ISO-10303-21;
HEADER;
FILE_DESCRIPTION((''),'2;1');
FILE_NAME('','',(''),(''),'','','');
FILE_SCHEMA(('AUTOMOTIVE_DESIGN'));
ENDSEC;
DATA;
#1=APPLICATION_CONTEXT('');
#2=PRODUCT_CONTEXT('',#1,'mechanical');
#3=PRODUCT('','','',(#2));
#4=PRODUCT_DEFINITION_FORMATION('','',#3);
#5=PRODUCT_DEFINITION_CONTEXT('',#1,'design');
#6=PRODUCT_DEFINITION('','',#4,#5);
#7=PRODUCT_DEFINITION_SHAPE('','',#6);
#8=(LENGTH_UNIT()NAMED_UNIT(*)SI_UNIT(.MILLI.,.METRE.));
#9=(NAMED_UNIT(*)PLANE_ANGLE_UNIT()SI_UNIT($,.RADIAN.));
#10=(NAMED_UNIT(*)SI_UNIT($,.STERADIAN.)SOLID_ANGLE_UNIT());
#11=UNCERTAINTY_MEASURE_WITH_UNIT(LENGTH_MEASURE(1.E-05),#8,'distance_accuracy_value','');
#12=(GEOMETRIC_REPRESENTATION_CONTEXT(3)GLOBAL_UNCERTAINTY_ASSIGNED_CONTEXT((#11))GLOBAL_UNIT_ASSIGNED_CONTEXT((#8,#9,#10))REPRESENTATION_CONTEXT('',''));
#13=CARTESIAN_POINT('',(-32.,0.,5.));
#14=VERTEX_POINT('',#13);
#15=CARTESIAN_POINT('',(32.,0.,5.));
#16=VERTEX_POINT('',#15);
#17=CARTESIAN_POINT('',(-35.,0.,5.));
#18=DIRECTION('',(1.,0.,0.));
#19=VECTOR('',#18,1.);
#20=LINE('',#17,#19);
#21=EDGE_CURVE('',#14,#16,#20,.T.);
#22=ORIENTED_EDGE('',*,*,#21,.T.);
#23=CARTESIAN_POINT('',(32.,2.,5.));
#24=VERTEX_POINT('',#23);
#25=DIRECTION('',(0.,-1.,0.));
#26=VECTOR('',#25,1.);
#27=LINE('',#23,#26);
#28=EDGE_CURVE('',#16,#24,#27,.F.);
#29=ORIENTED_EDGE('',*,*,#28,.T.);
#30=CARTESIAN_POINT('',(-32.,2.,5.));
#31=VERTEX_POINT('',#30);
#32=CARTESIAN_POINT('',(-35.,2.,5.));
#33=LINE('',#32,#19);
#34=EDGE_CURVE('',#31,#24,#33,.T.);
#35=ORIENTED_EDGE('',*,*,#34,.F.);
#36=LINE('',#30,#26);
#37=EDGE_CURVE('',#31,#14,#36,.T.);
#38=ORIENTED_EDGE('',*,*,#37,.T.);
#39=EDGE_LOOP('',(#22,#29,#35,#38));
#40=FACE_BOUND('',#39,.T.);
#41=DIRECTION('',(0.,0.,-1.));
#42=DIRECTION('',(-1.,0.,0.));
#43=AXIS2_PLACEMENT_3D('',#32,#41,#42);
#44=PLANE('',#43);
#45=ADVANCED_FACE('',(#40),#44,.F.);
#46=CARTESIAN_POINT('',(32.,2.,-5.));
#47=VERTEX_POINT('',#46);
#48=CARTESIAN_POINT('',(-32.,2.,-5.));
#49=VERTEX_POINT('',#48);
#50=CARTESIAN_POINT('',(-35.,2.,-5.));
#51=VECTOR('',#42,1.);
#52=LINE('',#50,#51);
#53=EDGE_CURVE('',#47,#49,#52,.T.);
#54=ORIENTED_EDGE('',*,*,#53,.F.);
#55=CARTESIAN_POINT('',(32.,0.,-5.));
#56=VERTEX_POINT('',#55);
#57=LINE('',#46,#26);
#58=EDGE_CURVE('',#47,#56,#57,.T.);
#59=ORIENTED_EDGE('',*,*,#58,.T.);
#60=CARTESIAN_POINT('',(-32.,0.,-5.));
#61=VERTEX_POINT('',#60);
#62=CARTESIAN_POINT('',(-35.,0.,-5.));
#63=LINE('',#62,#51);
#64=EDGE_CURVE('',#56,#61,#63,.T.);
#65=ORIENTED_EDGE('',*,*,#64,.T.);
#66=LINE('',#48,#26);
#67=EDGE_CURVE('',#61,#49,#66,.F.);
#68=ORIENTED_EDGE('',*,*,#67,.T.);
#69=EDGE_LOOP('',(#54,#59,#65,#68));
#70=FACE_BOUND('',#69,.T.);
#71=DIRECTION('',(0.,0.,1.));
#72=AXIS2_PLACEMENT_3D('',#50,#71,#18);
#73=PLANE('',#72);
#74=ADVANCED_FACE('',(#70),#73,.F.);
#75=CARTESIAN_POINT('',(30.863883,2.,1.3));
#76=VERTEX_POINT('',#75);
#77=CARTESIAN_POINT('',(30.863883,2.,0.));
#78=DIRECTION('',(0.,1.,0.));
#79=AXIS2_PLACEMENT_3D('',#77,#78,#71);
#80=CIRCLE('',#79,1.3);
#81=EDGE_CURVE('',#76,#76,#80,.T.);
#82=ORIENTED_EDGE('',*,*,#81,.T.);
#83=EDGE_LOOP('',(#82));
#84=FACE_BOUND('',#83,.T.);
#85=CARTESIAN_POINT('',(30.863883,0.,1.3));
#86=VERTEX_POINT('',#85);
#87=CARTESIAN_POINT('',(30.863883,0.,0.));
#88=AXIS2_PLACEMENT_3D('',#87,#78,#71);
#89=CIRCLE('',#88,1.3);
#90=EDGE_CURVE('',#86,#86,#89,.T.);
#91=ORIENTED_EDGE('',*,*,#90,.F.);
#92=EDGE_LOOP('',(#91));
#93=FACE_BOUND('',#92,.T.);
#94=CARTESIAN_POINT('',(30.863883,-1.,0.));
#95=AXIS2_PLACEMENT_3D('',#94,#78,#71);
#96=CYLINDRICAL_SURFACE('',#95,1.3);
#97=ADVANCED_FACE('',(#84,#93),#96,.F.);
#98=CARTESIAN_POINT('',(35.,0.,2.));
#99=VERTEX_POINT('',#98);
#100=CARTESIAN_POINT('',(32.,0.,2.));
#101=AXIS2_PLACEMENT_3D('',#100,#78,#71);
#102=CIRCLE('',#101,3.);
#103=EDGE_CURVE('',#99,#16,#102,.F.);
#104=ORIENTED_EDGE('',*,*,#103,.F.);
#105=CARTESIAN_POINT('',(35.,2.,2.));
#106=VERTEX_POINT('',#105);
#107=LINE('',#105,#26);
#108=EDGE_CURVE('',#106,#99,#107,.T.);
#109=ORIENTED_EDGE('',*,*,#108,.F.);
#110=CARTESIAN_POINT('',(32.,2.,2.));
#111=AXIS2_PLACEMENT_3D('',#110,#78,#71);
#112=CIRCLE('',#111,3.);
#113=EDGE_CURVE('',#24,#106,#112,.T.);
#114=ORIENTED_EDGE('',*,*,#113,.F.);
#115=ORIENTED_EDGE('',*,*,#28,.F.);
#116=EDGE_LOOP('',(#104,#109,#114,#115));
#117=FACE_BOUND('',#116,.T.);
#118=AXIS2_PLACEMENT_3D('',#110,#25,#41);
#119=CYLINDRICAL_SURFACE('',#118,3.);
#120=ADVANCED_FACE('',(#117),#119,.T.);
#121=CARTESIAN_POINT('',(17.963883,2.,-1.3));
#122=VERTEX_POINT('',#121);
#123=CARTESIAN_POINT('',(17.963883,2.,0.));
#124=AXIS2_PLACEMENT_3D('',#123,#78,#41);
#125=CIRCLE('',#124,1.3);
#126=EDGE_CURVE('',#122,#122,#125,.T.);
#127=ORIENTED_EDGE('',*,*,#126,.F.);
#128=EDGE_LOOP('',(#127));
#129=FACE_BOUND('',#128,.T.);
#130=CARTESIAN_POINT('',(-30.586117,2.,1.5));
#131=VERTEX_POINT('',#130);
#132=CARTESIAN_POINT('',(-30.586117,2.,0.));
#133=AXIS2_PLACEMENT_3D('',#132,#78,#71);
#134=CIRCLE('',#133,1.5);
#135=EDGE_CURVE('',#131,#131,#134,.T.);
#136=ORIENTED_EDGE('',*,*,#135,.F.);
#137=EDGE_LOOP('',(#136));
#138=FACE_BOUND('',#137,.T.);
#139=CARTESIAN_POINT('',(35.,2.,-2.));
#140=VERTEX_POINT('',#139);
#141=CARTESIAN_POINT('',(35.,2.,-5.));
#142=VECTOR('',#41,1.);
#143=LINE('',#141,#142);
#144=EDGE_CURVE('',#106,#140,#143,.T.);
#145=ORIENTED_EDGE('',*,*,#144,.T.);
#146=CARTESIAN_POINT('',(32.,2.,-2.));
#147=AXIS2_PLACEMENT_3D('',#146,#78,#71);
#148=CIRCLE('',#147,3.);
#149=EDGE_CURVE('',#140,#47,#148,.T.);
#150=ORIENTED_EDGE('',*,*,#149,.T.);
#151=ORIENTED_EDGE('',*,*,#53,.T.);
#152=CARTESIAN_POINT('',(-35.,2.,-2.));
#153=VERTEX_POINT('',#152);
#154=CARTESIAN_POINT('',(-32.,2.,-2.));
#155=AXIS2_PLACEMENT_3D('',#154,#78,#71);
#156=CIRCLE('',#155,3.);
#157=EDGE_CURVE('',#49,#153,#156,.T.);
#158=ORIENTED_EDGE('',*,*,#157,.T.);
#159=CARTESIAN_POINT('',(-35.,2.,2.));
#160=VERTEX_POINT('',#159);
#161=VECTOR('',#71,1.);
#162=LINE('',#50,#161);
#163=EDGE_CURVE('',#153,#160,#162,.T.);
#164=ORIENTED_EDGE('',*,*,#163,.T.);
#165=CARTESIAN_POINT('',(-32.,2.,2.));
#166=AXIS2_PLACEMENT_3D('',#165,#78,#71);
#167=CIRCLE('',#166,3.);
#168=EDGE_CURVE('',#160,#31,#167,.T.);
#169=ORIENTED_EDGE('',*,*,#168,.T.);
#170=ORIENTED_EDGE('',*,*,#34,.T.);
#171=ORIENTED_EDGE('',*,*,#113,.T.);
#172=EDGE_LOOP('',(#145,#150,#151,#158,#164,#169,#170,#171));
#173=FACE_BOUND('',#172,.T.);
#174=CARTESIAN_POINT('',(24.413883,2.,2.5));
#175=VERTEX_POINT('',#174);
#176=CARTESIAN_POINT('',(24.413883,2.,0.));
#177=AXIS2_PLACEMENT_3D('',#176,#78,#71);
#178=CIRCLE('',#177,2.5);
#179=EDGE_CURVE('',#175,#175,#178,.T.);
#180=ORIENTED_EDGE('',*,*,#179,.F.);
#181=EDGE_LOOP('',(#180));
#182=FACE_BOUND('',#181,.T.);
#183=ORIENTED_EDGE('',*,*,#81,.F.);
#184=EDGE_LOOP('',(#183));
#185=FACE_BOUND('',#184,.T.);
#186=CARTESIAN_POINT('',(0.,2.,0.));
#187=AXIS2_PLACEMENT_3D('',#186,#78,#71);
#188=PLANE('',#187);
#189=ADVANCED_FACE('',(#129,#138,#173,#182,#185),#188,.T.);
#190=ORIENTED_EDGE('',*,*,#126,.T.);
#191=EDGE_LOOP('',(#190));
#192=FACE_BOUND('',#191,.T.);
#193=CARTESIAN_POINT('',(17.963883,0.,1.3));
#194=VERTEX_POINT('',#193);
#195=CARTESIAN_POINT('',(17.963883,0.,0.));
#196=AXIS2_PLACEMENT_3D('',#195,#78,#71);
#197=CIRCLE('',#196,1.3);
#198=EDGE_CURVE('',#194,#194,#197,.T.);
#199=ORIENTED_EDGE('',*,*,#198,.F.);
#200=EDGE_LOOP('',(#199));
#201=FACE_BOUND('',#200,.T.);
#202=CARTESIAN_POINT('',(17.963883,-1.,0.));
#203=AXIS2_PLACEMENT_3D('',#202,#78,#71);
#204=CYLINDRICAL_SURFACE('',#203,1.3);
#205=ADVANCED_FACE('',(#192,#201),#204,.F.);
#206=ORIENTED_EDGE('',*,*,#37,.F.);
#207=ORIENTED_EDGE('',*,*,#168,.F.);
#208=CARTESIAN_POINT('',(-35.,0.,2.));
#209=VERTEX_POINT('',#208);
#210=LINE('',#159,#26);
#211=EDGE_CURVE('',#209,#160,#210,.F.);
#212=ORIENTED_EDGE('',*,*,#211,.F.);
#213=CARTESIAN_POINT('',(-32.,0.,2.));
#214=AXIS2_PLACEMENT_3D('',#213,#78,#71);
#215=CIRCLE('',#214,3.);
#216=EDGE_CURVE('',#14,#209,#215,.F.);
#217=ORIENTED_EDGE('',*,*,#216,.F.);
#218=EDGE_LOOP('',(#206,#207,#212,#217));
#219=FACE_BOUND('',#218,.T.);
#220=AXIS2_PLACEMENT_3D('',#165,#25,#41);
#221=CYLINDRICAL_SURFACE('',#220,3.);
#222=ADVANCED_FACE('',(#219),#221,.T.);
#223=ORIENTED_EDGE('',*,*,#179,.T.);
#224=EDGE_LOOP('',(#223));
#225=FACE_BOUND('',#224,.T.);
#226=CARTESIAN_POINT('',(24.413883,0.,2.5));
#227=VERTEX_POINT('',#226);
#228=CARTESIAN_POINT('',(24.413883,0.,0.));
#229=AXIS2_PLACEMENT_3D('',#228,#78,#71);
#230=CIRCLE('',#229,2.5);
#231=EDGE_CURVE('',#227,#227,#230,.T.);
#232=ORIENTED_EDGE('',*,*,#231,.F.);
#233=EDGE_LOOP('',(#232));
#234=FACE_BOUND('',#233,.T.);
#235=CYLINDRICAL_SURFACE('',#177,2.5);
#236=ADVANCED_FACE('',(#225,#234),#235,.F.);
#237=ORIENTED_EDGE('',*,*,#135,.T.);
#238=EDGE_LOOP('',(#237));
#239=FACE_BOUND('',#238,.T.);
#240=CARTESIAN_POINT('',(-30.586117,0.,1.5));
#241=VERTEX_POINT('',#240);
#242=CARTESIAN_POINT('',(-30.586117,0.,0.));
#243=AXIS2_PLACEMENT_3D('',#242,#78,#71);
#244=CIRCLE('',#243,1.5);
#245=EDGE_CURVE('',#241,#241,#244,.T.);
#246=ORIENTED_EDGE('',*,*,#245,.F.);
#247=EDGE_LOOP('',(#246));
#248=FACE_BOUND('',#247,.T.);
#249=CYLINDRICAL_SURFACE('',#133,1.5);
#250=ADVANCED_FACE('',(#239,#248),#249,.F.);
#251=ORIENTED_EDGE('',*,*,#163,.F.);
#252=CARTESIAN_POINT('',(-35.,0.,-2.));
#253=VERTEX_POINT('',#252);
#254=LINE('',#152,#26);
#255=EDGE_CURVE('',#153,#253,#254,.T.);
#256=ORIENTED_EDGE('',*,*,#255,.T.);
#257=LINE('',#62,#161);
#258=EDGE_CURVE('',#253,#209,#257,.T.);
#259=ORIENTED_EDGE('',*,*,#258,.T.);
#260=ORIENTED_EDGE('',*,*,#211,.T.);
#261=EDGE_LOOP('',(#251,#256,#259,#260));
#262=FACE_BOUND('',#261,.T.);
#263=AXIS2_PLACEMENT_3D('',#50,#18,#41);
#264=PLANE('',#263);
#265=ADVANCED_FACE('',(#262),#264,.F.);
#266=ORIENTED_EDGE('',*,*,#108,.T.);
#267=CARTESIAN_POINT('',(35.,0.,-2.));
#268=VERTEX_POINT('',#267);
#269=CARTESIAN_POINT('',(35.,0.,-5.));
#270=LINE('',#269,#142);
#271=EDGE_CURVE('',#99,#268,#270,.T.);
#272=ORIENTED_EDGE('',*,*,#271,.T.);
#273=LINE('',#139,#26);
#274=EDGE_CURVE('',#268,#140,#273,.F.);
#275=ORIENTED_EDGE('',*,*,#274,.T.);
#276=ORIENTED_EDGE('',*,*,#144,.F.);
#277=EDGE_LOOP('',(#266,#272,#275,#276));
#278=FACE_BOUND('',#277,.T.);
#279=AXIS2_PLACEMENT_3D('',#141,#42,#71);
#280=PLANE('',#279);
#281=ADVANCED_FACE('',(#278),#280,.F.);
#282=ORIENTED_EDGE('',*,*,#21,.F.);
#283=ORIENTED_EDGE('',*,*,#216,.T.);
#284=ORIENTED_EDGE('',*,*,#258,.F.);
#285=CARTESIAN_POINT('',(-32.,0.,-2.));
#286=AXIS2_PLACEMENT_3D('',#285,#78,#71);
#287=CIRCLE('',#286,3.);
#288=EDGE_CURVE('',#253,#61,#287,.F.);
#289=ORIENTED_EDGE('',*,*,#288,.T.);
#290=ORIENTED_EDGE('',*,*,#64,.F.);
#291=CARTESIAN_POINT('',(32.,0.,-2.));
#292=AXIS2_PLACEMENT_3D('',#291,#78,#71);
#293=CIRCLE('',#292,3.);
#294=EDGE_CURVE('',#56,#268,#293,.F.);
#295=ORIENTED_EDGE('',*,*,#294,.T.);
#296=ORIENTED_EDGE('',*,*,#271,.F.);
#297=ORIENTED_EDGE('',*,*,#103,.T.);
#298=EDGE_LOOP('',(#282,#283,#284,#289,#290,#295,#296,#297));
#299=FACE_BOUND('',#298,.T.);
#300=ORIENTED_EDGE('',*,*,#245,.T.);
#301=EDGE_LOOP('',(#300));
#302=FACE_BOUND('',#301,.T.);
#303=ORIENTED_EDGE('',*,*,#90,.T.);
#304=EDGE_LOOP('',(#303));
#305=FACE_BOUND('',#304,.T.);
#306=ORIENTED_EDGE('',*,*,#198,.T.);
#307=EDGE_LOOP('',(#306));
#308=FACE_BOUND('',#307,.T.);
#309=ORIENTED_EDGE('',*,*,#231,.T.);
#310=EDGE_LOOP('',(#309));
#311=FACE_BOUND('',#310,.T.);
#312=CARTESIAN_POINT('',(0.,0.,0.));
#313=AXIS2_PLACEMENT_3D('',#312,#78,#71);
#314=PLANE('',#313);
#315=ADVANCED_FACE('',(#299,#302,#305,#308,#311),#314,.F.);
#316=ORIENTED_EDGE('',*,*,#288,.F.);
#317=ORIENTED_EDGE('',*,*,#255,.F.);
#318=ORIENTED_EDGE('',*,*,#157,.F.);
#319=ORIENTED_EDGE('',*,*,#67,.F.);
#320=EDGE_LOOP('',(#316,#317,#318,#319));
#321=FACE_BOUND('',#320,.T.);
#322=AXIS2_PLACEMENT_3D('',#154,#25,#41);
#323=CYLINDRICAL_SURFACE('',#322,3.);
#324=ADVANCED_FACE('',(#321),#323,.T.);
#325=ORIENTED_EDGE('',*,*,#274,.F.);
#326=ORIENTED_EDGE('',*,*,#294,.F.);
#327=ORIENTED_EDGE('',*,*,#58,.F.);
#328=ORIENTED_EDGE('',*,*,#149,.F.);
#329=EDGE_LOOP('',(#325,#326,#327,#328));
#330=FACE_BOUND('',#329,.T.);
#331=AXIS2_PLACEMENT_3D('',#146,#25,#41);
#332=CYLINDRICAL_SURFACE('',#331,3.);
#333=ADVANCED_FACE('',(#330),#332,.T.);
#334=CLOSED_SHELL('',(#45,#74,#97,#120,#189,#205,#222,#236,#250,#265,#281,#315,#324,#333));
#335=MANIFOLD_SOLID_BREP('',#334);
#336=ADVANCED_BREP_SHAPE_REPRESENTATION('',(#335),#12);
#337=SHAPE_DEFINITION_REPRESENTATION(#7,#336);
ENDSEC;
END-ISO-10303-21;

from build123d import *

# Parameters (mm, degrees)
SKETCH1_W             = 70
SKETCH1_H             = 10
BOSS_EXTRUDE1_DEPTH   = 2
F_5_0MM_DOWEL_HOLE1_D = 5
F_3_0MM_DOWEL_HOLE1_D = 3
SKETCH2_R             = 1.3
CUT_EXTRUDE1_DEPTH    = 3
FILLET1_R             = 3


with BuildPart() as part:
    # Sketch1 → Boss-Extrude1 (new body)
    with BuildSketch(Plane(origin=(0, 0, 0), x_dir=(1, 0, 0), z_dir=(0, 1, 0))):
        Rectangle(SKETCH1_W, SKETCH1_H)
    extrude(amount=BOSS_EXTRUDE1_DEPTH)

    # Ø5.0mm Dowel Hole1 (through all)
    with Locations(Plane(origin=(0, 2, 0), x_dir=(1, 0, 0), z_dir=(0, 1, 0))):
        with Locations((24.413883152, 0)):
            Hole(F_5_0MM_DOWEL_HOLE1_D / 2)

    # Ø3.0mm Dowel Hole1 (through all)
    with Locations(Plane(origin=(0, 2, 0), x_dir=(1, 0, 0), z_dir=(0, 1, 0))):
        with Locations((-30.586116848, 0)):
            Hole(F_3_0MM_DOWEL_HOLE1_D / 2)

    # Sketch2 → Cut-Extrude1 (cut)
    with BuildSketch(Plane(origin=(0, 2, 0), x_dir=(1, 0, 0), z_dir=(0, 1, 0))):
        with Locations((30.863883152, 0)):
            Circle(SKETCH2_R)
        with Locations((17.963883152, 0)):
            Circle(SKETCH2_R)
    extrude(amount=-CUT_EXTRUDE1_DEPTH, mode=Mode.SUBTRACT)

    # Fillet1
    fillet1_edges = [part.edges().sort_by_distance(p)[0] for p in [
        (35, 1, 5),
        (-35, 1, 5),
        (-35, 1, -5),
        (35, 1, -5),
    ]]
    fillet(fillet1_edges, radius=FILLET1_R)


solid = part.part
